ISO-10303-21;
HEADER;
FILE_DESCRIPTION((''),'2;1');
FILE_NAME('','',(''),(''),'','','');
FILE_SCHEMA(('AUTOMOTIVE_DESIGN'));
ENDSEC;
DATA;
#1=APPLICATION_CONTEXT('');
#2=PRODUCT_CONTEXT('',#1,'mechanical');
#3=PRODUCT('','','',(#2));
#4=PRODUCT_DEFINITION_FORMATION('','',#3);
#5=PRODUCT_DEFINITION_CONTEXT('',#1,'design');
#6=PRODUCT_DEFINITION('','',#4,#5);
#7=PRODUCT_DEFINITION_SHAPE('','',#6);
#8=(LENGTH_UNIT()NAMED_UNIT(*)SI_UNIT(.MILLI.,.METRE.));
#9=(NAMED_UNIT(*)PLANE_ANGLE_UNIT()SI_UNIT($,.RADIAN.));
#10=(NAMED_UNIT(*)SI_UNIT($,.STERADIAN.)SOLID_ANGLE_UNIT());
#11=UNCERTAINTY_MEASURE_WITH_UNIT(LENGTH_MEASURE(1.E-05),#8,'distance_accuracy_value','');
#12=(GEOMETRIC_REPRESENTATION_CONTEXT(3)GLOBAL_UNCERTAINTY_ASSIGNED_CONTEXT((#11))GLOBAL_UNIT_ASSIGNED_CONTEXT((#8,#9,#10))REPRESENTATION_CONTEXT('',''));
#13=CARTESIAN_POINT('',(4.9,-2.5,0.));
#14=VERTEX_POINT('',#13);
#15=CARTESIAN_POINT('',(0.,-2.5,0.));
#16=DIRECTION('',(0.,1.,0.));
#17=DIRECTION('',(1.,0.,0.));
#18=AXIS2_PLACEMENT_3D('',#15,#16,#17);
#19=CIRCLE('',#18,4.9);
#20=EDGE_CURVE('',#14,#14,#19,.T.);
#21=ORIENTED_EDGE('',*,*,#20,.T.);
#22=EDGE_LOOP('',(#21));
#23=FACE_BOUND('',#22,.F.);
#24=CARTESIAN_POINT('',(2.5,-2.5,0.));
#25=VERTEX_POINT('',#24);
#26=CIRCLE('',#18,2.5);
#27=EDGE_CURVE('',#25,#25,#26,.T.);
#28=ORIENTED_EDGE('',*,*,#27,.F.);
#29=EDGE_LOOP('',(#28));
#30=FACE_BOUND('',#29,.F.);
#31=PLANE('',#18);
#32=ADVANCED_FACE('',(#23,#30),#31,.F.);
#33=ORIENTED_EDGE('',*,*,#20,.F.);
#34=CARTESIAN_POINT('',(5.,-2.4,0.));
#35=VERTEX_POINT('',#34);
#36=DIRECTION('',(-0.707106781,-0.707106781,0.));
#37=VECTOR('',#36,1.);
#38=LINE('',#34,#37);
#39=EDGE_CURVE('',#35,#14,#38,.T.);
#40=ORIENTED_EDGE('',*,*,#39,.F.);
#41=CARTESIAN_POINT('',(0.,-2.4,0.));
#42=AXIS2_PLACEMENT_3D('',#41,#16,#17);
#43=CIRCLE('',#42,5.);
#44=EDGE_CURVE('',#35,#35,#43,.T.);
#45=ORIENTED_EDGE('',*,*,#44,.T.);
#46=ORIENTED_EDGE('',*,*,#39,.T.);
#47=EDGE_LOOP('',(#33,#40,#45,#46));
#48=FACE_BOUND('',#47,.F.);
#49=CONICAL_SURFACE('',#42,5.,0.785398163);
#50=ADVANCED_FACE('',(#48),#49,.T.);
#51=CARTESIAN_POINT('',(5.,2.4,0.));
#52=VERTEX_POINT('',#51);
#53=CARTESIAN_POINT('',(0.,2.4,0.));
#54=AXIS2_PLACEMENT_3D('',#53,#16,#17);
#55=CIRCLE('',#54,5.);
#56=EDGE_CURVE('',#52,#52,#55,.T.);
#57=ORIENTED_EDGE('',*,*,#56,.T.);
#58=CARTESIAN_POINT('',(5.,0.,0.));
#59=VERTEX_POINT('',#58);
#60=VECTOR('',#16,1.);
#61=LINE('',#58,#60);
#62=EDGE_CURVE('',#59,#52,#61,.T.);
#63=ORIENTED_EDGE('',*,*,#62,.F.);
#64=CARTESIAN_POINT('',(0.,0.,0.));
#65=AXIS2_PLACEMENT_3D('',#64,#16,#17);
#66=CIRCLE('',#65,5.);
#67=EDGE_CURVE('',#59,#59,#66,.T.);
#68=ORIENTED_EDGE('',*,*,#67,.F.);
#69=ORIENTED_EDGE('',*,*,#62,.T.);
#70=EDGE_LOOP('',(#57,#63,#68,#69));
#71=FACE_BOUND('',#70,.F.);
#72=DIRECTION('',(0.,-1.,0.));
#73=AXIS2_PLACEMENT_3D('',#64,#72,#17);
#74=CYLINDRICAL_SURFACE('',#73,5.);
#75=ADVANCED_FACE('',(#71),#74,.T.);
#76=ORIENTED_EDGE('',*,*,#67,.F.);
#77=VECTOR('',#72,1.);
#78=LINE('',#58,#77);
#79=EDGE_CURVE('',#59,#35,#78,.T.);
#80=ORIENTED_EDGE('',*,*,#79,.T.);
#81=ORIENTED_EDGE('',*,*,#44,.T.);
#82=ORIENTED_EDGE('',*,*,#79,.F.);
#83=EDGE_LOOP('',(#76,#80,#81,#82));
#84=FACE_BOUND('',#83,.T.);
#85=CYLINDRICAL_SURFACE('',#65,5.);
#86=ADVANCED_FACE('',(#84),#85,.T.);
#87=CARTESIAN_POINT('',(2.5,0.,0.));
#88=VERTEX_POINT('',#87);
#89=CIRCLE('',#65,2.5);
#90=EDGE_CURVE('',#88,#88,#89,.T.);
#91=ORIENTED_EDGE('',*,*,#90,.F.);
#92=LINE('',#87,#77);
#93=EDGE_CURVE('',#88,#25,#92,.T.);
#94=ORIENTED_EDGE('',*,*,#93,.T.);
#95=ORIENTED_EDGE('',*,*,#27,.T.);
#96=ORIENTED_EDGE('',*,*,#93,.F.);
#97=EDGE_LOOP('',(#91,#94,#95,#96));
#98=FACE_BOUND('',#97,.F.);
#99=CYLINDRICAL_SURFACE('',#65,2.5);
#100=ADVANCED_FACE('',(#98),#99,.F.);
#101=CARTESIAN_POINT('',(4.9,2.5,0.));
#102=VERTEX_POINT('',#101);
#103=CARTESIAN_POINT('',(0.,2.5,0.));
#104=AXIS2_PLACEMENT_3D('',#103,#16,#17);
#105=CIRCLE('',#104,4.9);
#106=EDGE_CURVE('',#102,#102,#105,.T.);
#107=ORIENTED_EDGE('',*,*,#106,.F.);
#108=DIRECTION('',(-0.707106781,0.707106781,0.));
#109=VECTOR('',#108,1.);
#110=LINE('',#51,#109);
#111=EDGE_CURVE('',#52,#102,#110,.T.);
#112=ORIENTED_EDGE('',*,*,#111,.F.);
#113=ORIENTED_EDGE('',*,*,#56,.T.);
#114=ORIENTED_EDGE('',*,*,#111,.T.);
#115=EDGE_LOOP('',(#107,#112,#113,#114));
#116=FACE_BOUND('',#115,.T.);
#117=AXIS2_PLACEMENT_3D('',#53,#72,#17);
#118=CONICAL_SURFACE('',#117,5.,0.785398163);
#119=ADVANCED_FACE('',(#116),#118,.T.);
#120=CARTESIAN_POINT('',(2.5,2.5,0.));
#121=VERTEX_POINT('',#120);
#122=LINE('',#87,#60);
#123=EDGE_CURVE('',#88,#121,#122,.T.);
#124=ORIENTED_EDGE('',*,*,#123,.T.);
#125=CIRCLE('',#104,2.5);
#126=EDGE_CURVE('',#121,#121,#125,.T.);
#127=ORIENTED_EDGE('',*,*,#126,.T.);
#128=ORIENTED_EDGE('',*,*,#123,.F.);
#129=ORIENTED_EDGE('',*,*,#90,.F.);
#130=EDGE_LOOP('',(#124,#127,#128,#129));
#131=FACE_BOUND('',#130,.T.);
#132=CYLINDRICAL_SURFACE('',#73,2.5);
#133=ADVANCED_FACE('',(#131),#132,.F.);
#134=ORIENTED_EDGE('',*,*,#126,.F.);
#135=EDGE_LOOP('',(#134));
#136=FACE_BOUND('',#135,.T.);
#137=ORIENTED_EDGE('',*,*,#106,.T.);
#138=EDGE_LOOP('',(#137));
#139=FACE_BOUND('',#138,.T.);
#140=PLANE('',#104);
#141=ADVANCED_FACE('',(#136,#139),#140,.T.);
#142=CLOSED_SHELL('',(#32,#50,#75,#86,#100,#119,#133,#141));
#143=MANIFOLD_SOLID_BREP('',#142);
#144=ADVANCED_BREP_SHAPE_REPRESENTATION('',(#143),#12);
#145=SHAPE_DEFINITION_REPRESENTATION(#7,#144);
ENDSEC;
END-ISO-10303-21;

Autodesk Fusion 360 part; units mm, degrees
sketch "Sketch1" plane through (0, 0, 0) normal (0, 1, 0) x (1, 0, 0)
  circle A0 centre (0, 0) radius 5
  circle A1 centre (0, 0) radius 2.5
  dimension "d1" = 10
  dimension "d2" = 5
extrude "Extrude1" add sketch "Sketch1" along normal mid plane 5
chamfer "Chamfer1" distance 0.1 angle 45 2 edges at (-4.6616, -2.5, -1.8081) (-4.6616, 2.5, 1.8081)
